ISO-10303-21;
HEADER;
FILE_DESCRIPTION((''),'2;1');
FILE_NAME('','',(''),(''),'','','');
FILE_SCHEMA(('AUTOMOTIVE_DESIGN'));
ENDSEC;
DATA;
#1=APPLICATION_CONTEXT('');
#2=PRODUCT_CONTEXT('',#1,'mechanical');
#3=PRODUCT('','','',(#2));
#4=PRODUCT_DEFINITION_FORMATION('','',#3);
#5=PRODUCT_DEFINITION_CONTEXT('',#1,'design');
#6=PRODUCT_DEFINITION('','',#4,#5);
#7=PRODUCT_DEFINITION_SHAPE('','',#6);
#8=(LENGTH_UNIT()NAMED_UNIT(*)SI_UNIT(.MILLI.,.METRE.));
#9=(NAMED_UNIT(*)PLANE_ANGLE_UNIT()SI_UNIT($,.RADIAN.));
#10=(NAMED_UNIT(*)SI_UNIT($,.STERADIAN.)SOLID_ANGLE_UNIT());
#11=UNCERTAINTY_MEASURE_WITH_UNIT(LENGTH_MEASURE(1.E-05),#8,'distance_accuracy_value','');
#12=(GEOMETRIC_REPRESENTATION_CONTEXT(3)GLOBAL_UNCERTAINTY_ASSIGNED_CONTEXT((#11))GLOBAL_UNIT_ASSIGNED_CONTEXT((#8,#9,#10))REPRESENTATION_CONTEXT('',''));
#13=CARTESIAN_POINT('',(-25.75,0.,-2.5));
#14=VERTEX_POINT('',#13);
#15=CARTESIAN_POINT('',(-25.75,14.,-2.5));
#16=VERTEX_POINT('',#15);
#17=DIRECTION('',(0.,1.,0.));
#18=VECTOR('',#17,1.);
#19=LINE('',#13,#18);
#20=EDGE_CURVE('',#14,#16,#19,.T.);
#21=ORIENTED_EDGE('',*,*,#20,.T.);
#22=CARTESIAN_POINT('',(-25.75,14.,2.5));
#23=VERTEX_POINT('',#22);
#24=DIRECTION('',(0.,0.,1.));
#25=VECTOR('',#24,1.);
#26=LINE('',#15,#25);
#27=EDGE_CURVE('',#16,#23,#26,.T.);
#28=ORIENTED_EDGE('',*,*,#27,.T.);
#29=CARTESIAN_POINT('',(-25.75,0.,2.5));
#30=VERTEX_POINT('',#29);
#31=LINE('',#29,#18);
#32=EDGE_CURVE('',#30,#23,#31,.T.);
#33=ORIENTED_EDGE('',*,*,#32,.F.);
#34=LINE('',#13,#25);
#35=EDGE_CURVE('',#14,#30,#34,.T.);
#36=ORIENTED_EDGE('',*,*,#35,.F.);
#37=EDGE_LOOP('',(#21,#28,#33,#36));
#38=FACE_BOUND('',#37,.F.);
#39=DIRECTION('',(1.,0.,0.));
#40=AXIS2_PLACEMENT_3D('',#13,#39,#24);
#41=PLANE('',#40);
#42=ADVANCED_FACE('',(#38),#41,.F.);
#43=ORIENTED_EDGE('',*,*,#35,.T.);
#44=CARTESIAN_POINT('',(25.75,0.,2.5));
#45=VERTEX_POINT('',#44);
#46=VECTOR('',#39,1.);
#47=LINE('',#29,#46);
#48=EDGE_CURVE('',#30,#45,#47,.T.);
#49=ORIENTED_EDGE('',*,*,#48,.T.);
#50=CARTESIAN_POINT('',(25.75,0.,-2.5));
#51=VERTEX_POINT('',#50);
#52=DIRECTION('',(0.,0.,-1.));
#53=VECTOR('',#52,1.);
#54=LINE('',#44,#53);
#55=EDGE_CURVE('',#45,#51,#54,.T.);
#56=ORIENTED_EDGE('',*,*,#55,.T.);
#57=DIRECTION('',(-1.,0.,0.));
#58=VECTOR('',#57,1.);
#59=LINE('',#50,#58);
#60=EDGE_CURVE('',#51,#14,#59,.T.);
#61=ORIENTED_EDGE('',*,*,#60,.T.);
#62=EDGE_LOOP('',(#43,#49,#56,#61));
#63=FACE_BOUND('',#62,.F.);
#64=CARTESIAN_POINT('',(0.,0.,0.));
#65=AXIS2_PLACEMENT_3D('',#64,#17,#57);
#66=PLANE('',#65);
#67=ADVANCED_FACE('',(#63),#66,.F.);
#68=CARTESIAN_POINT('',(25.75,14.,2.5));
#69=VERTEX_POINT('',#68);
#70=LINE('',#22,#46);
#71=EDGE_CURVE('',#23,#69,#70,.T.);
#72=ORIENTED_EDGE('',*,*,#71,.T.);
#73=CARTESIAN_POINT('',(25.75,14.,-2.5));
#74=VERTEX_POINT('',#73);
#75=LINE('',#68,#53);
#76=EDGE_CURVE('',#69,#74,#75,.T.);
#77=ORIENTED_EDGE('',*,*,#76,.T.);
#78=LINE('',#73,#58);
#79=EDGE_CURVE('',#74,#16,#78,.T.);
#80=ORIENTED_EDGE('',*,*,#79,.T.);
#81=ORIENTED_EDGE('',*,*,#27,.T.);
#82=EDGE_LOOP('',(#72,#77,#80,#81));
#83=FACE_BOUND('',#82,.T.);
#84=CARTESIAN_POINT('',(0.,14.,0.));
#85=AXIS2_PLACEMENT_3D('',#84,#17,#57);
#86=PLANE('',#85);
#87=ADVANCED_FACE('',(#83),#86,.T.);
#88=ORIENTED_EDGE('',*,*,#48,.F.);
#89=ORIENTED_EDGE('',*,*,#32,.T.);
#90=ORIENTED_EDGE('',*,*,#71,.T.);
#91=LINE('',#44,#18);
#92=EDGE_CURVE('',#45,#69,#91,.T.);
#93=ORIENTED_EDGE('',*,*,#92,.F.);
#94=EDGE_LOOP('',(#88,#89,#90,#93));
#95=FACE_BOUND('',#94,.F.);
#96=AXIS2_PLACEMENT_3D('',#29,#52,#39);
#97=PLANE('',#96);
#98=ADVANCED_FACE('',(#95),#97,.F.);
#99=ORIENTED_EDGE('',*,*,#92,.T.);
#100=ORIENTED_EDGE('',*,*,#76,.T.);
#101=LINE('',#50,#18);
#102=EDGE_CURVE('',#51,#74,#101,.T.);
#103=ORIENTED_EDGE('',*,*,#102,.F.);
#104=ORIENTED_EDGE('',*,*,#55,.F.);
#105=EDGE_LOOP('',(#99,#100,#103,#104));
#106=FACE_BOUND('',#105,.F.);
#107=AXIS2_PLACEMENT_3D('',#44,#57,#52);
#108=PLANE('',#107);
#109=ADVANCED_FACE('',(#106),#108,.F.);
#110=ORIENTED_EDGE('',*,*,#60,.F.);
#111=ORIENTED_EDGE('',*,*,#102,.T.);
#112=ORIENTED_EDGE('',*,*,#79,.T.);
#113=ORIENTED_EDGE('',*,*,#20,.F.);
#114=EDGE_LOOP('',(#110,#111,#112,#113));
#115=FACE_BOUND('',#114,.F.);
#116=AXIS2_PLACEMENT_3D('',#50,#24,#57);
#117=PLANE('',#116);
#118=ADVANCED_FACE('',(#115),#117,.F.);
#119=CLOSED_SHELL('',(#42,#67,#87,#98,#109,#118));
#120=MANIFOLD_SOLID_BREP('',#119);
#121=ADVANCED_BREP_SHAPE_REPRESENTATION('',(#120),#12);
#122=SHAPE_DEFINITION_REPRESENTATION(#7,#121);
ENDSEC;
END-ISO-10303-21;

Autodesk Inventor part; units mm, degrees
ref_plane "YZ Plane" through (0, 0, 0) normal (1, 0, 0) x (0, 1, 0)
ref_plane "XZ Plane" through (0, 0, 0) normal (0, 1, 0) x (-1, 0, 0)
ref_plane "XY Plane" through (0, 0, 0) normal (0, 0, 1) x (1, 0, 0)
sketch "Sketch1" plane through (0, 0, 0) normal (0, 1, 0) x (-1, 0, 0)
  line L0 (-25.75, -2.5) -> (25.75, -2.5)
  line L1 (25.75, -2.5) -> (25.75, 2.5)
  line L2 (25.75, 2.5) -> (-25.75, 2.5)
  line L3 (-25.75, 2.5) -> (-25.75, -2.5)
  line L4 (-25.75, -2.5) -> (25.75, 2.5) construction
  line L5 (25.75, -2.5) -> (-25.75, 2.5) construction
  point P0 (0, 0)
  dimension "d0" = 51.5
  dimension "d1" = 5
extrude "Extrusion1" add sketch "Sketch1" along normal blind 14
properties part number "GPIO_conector"
